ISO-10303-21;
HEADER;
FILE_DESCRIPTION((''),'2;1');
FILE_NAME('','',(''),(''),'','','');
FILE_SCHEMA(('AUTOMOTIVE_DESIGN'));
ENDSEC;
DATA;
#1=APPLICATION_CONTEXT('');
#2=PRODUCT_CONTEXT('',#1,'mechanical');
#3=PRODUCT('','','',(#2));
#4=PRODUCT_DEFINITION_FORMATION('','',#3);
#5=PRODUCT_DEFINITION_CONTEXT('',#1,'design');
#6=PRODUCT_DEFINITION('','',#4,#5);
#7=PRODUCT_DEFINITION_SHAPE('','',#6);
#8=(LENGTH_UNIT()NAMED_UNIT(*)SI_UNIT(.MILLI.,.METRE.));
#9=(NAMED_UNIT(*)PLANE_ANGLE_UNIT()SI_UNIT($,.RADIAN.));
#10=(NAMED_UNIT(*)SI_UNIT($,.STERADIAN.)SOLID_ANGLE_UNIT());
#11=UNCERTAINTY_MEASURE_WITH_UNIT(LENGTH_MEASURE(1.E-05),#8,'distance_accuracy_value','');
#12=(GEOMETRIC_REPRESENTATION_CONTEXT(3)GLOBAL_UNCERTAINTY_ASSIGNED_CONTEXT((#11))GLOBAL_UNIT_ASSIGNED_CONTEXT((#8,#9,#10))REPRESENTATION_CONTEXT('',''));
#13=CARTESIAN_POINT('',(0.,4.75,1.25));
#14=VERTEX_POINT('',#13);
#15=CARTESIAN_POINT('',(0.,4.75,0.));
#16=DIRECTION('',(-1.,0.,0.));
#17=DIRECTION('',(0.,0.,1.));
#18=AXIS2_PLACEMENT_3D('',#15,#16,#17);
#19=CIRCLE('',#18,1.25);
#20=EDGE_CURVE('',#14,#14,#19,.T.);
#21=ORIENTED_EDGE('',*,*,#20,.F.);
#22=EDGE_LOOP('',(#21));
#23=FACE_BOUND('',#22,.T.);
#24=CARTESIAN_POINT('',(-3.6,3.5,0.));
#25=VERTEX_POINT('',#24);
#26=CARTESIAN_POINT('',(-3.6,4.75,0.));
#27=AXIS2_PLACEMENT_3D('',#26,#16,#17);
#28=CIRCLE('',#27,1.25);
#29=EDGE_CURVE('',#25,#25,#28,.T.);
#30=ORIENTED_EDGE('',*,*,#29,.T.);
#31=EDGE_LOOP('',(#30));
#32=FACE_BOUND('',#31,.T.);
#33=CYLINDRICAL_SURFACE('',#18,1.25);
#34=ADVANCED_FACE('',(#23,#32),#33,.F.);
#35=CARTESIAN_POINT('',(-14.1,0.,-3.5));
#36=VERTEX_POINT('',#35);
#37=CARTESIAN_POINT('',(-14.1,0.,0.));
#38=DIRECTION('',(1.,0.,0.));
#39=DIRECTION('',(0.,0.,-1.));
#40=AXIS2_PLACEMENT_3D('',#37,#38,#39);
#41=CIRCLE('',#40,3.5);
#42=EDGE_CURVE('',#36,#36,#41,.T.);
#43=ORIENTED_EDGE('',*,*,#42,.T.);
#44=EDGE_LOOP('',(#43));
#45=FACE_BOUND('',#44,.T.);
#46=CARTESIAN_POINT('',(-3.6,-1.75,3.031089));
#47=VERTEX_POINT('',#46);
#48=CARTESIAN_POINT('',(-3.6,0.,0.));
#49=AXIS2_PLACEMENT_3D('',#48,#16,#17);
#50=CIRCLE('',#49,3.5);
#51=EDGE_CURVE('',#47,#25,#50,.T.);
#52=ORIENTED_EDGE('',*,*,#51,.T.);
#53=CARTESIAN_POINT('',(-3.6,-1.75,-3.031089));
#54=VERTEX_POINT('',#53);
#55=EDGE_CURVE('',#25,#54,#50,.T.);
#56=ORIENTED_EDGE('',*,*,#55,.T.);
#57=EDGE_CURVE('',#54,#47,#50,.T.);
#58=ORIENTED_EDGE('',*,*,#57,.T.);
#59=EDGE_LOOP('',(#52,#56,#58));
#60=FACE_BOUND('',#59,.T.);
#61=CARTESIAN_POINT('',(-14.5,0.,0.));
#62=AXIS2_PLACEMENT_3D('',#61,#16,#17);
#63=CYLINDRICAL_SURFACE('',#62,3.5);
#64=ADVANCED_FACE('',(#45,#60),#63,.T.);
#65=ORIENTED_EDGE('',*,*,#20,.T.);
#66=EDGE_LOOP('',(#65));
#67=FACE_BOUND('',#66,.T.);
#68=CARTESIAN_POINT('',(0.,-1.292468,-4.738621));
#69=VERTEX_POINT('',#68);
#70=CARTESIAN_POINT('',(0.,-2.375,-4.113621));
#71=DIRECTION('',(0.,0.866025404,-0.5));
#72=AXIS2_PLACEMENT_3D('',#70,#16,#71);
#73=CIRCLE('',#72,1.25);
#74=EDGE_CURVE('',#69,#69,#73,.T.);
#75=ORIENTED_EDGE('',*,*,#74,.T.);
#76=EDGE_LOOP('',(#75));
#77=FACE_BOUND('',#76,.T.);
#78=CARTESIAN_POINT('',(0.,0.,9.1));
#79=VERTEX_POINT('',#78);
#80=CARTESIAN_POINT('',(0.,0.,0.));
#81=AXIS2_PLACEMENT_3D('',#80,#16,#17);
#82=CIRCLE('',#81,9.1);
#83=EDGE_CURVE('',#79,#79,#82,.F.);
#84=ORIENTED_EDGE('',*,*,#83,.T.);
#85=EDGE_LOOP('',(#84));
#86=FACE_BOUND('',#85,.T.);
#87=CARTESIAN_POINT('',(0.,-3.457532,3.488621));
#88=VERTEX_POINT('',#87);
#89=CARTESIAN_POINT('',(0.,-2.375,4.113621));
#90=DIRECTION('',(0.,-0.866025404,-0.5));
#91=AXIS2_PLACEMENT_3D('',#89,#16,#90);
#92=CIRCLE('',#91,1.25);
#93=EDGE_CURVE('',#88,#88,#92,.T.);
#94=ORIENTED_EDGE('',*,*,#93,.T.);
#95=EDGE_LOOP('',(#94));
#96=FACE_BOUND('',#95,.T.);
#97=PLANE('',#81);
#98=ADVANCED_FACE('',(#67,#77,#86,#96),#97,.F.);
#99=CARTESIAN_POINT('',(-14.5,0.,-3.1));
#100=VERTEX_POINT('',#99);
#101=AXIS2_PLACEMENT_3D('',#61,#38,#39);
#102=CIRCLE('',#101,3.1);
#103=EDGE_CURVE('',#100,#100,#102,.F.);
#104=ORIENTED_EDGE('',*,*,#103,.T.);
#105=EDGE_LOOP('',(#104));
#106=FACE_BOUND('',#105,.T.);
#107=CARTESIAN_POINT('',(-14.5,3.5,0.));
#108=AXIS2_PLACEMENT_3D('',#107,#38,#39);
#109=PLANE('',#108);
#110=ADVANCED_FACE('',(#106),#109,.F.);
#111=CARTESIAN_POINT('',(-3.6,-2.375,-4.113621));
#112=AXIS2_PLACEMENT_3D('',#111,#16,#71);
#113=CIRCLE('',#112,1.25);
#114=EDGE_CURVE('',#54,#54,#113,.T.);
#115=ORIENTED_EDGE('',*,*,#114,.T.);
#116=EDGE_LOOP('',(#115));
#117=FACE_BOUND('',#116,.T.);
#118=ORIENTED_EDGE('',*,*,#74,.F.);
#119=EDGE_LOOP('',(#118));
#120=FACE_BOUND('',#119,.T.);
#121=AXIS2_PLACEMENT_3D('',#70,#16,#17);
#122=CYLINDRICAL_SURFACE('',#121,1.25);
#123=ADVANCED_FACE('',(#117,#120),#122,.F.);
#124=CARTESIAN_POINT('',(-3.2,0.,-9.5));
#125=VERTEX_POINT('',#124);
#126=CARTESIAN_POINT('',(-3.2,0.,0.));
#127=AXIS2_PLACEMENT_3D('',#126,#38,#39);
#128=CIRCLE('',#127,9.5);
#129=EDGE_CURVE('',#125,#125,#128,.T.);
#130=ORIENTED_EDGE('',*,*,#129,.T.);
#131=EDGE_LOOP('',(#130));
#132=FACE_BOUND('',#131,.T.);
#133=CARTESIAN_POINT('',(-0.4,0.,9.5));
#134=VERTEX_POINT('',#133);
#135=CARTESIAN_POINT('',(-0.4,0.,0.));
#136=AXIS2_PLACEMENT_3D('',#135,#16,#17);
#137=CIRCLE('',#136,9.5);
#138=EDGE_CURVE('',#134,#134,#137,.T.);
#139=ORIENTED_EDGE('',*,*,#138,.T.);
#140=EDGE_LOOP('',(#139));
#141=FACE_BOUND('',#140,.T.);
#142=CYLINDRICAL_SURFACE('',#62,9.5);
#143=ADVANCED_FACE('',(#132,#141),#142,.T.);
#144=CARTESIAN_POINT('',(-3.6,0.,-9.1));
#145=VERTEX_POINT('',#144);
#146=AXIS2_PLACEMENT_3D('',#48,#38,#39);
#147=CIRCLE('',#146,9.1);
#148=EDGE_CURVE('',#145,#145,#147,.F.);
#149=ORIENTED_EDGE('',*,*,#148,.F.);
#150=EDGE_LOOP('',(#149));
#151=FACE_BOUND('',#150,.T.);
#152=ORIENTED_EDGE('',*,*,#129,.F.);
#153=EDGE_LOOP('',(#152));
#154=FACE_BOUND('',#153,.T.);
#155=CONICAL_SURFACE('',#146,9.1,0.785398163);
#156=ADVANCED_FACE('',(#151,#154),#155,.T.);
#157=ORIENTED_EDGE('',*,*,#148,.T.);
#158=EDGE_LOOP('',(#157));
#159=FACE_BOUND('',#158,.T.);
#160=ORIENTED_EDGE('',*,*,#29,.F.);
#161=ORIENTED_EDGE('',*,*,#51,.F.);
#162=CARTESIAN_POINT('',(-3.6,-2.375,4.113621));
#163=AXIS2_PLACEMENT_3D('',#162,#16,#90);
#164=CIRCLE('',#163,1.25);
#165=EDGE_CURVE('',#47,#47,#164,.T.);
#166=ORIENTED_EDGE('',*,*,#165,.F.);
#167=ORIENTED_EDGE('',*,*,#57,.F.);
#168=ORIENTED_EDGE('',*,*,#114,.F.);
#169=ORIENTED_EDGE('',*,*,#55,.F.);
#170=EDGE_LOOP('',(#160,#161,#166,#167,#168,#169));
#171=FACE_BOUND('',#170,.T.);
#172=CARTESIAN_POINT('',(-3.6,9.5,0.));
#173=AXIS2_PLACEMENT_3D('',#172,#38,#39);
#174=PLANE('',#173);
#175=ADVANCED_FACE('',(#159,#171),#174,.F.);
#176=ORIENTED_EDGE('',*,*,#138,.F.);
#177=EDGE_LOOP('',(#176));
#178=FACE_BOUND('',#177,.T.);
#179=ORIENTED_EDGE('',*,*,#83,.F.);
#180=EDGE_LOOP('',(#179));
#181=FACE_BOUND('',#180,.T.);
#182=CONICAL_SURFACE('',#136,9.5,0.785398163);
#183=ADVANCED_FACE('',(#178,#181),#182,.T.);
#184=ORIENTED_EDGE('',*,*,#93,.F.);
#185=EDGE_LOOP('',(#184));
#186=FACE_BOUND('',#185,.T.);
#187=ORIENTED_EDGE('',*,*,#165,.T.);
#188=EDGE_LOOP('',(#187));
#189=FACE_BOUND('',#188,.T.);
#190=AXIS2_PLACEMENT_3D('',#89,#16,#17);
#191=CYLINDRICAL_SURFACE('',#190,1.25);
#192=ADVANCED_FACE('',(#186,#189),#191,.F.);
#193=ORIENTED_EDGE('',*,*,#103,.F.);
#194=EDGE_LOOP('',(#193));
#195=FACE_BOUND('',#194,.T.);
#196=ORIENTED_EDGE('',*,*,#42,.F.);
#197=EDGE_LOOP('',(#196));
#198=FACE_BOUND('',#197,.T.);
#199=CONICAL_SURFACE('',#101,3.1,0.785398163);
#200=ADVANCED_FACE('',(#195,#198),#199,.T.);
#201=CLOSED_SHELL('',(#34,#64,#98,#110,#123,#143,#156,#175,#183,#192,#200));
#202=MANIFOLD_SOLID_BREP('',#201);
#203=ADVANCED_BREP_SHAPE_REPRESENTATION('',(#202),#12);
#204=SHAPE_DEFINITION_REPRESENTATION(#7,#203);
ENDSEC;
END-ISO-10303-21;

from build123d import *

# Parameters (mm, degrees)
SKETCH_3_R               = 1.25
CUT_EXTRUDE_1_DEPTH      = 18.300578025
CHAMFER_1_SIZE           = 0.4
PATTERN_CIRCULAR_1_COUNT = 3


with BuildPart() as part:
    # Эскиз2 → Повернуть1 (revolve)
    with BuildSketch(Plane.XY, mode=Mode.PRIVATE) as revolve_1_sk:
        Polygon((0, 0), (0, 9.5), (-3.6, 9.5), (-3.6, 3.5), (-14.5, 3.5), (-14.5, 0), align=None)
    revolve(revolve_1_sk.sketch.rotate(Axis((-14.5, 0, 0), (1, 0, 0)), 90), axis=Axis((-14.5, 0, 0), (1, 0, 0)))

    # Эскиз3 → Вырез-Вытянуть1 (cut, through all)
    with BuildSketch(Plane.ZY.offset(3.6)):
        with Locations((0, 4.75)):
            Circle(SKETCH_3_R)
    cut_extrude_1 = extrude(amount=-CUT_EXTRUDE_1_DEPTH, mode=Mode.SUBTRACT)

    # Фаска1
    chamfer_1_edges = [part.edges().sort_by_distance(p)[0] for p in [
        (-14.5, 0, -3.5),
        (-3.6, 0, -9.5),
        (0, 0, -9.5),
    ]]
    chamfer(chamfer_1_edges, length=CHAMFER_1_SIZE)

    # Круговой массив1: Вырез-Вытянуть1 ×3 about axis
    pattern_circular_1_axis = Axis((0, 0, 0), (1, 0, 0))
    for i in range(1, PATTERN_CIRCULAR_1_COUNT):
        add(cut_extrude_1.rotate(pattern_circular_1_axis, i * 360 / PATTERN_CIRCULAR_1_COUNT), mode=Mode.SUBTRACT)


solid = part.part
